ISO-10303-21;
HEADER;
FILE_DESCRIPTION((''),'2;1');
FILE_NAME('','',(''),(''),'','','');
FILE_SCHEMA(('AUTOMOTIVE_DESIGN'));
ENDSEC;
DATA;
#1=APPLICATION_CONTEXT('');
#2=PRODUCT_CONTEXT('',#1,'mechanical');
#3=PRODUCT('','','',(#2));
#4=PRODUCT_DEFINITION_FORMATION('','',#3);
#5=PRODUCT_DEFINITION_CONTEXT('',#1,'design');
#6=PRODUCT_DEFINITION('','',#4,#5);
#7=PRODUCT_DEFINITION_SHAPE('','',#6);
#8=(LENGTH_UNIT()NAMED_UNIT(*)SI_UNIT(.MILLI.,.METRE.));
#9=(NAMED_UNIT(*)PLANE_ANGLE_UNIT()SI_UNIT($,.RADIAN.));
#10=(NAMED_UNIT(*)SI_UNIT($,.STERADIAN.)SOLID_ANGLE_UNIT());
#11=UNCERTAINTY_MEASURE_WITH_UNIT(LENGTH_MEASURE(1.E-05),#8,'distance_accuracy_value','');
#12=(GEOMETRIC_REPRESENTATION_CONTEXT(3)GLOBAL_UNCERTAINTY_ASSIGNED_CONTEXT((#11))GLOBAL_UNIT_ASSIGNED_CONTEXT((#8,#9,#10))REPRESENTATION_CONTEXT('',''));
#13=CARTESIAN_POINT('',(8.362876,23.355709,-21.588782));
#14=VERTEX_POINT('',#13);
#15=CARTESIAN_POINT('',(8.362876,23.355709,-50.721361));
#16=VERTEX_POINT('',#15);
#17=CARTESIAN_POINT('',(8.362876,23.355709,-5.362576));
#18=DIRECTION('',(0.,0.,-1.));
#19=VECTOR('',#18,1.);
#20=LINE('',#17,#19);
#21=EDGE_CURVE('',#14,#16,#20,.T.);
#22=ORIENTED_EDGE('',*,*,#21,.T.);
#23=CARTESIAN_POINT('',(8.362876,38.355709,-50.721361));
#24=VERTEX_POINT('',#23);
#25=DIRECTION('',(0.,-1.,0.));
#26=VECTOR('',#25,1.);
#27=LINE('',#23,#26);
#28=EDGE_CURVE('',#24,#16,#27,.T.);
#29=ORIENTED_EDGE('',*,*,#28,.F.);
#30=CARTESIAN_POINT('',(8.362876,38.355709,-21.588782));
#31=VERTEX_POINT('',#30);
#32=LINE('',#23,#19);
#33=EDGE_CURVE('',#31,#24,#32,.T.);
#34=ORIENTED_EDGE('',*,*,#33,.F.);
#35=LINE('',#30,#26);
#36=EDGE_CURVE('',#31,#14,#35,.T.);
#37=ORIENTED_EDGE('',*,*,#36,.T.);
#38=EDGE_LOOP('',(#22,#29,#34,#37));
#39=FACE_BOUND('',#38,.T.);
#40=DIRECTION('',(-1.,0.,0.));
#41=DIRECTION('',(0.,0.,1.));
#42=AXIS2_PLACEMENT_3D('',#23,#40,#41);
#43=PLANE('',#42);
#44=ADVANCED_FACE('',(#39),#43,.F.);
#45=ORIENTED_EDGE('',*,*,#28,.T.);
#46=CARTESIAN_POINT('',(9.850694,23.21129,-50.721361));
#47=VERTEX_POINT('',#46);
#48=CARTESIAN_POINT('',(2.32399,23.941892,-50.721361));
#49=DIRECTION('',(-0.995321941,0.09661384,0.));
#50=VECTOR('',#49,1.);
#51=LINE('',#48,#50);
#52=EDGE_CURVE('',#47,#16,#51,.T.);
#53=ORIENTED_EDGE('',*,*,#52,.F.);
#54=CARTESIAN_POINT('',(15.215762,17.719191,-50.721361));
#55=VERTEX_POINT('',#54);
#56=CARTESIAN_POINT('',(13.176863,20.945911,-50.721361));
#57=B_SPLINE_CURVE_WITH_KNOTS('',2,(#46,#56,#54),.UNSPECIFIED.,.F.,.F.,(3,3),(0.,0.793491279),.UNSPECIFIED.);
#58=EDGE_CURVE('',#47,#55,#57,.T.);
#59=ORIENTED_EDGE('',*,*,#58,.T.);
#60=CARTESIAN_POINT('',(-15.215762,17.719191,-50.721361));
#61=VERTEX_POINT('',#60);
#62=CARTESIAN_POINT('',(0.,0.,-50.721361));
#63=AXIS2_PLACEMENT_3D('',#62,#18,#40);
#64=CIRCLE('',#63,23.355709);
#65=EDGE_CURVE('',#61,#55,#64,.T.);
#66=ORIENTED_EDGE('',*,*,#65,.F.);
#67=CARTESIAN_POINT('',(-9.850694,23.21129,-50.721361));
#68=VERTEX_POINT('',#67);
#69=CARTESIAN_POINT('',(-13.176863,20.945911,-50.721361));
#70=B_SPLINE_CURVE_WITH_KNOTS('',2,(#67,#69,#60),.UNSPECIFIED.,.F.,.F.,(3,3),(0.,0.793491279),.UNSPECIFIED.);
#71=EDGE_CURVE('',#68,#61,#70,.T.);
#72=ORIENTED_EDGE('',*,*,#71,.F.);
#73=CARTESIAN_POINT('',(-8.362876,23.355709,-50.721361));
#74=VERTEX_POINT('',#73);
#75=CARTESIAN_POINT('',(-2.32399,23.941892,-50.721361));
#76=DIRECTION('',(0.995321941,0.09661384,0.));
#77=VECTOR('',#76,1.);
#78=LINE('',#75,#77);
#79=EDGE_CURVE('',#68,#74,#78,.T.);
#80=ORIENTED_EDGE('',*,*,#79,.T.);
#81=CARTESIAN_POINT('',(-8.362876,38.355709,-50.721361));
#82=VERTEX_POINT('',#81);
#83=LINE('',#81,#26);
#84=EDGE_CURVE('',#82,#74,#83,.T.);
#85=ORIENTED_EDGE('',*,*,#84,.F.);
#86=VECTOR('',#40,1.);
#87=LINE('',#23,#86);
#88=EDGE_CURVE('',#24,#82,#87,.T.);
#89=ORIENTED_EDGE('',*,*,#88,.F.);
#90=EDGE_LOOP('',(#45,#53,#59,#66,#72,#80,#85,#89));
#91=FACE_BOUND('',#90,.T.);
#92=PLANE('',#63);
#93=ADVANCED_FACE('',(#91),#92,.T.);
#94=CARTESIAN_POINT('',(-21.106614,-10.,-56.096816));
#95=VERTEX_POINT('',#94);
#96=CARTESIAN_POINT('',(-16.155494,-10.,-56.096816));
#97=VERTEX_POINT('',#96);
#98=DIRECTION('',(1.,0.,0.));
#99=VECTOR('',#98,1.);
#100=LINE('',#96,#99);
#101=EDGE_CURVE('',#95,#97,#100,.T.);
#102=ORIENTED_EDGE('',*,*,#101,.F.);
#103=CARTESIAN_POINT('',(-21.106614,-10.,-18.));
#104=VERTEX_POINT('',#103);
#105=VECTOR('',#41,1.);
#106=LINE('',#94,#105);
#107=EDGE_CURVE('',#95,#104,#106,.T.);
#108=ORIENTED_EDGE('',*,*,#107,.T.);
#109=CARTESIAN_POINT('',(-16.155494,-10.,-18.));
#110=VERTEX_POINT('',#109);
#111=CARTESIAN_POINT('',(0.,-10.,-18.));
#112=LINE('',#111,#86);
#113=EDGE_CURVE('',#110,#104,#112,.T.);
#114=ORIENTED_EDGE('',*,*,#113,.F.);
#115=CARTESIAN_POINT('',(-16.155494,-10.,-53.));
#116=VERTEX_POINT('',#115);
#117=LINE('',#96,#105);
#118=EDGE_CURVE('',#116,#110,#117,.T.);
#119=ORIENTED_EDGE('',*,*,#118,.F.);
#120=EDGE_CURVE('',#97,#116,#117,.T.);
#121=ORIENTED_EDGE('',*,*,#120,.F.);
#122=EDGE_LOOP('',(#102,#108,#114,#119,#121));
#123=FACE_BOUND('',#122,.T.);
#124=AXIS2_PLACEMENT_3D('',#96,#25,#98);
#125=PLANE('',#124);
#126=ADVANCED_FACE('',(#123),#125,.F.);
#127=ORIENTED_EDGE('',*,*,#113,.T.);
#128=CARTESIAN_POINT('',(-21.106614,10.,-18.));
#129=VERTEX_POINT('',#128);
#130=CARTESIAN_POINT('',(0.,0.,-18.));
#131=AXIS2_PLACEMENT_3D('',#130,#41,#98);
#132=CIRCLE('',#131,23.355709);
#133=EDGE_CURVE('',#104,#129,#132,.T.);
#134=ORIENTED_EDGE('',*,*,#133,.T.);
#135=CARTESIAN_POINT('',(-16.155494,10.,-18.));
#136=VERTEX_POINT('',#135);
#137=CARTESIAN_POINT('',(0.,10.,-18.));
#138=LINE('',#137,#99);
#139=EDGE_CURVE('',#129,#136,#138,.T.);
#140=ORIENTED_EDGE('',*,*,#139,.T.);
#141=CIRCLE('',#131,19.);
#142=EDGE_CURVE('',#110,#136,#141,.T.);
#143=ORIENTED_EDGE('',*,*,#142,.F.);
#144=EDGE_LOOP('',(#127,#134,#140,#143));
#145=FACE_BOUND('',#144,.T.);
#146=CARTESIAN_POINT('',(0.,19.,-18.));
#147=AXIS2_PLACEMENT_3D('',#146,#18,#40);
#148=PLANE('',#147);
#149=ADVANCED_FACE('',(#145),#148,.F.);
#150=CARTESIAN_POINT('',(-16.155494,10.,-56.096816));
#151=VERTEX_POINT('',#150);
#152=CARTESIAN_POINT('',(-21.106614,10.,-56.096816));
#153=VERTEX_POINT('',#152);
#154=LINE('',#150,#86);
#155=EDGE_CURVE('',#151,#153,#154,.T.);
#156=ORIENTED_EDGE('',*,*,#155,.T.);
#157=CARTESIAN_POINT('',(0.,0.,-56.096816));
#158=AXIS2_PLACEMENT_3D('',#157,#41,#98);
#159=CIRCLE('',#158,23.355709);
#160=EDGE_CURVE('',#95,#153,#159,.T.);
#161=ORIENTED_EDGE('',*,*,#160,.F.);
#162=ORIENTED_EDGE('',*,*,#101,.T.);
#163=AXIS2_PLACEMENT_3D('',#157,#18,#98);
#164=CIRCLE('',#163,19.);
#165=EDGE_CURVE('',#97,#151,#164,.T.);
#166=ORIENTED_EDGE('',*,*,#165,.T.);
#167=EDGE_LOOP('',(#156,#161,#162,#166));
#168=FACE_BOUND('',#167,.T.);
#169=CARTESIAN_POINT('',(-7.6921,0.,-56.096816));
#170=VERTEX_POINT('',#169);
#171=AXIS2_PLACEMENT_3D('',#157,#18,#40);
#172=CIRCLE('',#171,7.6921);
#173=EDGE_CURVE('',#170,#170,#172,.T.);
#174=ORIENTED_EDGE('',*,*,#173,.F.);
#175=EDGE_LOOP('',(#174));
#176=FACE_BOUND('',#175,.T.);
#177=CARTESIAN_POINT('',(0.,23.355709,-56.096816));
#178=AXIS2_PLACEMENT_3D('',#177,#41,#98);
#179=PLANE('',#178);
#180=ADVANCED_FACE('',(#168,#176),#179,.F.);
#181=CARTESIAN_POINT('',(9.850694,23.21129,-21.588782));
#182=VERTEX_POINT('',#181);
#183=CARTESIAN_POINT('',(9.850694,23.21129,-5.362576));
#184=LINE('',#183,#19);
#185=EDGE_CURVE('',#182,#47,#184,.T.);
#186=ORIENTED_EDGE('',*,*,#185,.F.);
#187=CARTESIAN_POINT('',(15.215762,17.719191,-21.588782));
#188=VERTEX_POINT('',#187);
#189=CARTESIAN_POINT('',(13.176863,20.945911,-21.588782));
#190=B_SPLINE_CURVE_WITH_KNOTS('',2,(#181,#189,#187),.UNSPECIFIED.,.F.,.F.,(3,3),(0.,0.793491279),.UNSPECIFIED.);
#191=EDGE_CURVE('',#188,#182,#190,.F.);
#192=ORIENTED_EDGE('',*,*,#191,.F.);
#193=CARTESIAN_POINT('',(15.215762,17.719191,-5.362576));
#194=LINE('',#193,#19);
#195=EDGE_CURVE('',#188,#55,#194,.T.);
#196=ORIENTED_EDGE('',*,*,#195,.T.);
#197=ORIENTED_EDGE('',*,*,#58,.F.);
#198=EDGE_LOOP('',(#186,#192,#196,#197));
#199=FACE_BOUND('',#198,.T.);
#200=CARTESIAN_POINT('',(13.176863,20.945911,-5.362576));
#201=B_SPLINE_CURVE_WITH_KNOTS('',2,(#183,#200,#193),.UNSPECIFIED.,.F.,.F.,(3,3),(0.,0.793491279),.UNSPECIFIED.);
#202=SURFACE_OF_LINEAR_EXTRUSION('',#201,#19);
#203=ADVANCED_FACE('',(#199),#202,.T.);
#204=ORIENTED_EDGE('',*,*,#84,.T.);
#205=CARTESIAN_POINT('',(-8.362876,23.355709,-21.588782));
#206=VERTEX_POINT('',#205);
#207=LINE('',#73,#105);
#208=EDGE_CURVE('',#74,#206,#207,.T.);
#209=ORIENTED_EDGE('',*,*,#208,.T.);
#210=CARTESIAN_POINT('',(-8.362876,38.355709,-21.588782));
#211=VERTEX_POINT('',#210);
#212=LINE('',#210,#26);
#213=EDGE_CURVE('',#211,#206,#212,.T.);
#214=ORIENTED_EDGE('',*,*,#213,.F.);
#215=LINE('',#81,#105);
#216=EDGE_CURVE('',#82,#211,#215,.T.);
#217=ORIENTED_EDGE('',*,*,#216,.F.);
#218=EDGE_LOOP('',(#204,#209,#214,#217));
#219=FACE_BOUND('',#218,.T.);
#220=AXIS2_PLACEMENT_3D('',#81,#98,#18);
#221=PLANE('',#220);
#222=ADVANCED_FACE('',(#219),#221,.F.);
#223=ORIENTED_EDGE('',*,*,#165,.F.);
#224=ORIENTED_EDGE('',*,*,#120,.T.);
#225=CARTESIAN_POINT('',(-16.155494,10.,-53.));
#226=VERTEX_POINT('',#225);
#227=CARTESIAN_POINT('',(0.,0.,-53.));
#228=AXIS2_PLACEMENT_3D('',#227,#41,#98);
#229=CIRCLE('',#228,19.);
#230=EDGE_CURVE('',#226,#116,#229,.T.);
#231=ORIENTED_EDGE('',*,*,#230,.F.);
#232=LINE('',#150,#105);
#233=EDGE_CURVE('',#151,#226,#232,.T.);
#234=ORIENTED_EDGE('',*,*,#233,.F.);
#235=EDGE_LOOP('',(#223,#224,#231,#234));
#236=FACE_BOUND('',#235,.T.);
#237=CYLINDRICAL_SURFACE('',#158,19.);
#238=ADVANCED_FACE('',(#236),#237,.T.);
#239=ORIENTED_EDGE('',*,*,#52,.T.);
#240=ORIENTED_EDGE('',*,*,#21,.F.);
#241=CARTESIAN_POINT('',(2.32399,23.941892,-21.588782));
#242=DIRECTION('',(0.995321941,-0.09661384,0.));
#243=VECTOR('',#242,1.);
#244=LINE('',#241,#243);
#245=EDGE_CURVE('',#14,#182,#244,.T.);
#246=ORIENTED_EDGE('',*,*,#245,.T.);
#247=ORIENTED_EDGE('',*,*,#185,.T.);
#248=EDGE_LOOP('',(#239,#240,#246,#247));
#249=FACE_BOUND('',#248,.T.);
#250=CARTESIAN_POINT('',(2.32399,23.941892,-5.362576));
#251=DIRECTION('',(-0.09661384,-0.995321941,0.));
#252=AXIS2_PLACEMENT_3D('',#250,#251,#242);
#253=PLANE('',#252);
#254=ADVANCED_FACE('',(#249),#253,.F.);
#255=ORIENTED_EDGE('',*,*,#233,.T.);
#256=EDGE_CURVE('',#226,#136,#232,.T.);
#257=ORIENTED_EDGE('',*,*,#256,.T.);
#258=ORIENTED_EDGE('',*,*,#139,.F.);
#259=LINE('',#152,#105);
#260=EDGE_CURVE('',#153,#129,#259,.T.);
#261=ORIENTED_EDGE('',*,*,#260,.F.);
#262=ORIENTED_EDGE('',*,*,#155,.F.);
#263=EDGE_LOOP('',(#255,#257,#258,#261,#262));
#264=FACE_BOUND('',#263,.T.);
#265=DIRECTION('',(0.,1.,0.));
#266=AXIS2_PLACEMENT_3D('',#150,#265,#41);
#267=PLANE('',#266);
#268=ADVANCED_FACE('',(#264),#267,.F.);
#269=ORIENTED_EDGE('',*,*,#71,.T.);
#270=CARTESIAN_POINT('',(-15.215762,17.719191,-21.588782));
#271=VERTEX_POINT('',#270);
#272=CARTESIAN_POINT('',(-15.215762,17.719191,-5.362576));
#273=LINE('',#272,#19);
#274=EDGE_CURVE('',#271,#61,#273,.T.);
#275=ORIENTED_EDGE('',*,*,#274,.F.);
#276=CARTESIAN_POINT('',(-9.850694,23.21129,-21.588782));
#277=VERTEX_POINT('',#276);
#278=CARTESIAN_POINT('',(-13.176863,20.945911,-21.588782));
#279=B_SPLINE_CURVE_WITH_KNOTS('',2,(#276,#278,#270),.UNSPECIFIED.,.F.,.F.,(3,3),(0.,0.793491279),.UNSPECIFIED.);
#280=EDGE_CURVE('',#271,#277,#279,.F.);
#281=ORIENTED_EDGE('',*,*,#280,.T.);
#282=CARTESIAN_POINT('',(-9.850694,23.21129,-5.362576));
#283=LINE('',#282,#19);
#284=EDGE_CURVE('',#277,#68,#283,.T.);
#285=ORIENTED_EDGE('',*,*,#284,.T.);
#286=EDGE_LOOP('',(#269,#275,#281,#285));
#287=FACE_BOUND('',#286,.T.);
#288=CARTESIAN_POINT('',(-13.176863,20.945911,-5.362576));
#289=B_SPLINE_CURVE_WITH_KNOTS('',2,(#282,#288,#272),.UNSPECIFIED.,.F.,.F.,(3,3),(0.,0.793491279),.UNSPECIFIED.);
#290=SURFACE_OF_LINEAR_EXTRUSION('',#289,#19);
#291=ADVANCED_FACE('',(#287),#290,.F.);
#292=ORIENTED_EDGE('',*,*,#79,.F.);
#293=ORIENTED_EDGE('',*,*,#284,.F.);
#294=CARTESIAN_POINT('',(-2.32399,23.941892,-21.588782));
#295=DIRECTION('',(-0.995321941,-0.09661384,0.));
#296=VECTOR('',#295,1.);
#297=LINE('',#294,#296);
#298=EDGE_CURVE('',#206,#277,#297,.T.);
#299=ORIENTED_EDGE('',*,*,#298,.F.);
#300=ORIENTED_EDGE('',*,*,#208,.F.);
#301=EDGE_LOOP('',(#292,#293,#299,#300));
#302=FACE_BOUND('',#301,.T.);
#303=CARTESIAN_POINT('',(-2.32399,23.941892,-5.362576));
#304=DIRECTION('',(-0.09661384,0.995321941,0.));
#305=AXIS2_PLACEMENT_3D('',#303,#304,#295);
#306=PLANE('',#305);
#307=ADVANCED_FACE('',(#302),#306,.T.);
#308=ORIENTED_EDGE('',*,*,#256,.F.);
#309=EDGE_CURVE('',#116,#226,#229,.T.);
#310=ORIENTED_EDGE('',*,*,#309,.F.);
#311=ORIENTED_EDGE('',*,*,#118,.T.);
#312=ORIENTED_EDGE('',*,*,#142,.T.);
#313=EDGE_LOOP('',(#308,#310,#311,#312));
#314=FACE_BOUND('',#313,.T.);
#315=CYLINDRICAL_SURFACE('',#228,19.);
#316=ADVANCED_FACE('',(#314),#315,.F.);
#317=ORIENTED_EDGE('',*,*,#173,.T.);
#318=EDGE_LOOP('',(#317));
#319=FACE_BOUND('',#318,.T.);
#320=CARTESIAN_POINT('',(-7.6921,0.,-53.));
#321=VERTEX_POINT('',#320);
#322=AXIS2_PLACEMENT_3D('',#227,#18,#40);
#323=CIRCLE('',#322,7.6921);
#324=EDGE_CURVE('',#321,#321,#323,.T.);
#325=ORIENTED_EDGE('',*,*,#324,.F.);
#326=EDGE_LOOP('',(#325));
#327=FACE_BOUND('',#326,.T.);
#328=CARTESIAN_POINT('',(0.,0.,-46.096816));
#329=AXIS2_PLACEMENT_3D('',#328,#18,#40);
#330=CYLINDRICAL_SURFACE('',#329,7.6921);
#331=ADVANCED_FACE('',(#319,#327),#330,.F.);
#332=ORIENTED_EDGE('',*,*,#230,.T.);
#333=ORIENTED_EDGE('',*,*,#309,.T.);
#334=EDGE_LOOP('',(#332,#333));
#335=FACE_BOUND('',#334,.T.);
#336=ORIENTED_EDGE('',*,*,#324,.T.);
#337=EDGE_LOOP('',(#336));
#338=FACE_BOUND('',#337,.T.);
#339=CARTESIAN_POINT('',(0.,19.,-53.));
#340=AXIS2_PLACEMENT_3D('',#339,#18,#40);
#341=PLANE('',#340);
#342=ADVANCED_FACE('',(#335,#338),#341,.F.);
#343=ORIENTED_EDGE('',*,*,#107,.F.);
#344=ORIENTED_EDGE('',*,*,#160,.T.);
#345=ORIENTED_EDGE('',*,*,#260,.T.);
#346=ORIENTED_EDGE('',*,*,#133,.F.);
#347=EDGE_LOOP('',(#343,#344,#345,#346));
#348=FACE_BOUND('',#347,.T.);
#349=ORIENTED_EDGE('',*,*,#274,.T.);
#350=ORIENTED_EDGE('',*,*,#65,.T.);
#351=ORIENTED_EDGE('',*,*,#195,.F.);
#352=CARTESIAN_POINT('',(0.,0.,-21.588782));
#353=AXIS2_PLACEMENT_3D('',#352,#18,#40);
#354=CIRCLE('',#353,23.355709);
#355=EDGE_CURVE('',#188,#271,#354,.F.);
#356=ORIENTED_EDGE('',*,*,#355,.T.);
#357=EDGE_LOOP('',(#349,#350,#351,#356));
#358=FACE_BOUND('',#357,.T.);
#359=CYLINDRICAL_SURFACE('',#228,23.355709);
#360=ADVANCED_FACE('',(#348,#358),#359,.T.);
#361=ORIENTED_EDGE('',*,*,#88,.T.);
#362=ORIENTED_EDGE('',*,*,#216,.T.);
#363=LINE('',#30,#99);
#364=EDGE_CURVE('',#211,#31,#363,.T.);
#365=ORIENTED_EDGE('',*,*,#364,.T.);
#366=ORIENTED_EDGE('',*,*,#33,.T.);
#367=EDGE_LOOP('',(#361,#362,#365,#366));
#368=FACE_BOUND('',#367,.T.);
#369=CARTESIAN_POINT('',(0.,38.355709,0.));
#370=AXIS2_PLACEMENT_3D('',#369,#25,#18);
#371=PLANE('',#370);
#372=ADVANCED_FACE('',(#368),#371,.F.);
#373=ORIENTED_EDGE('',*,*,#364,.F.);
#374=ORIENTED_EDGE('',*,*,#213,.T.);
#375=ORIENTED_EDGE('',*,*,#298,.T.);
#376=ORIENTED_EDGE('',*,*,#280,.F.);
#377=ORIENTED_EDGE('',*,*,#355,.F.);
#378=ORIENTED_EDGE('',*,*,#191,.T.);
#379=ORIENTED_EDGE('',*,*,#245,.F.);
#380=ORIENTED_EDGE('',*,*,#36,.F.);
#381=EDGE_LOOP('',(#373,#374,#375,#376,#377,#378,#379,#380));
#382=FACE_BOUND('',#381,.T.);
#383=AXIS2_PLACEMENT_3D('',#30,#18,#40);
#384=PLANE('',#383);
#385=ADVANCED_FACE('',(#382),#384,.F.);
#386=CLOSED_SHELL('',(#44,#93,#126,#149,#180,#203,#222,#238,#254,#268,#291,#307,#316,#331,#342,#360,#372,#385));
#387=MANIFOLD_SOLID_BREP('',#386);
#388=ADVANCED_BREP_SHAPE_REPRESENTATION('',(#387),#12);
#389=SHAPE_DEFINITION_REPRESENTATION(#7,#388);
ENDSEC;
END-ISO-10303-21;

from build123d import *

# Parameters (mm, degrees)
SKETCH2_R           = 7.692100041
CUT_EXTRUDE1_DEPTH  = 10
SKETCH4_W           = 16.725751486
SKETCH4_H           = 29.132579912
BOSS_EXTRUDE1_DEPTH = 15
BOSS_EXTRUDE2_START = -29.132579912
BOSS_EXTRUDE2_DEPTH = 29.132579912
CUT_EXTRUDE2_DEPTH  = 72.857514692


with BuildPart() as part:
    # Sketch1 → Revolve1 (revolve)
    with BuildSketch(Plane(origin=(0, 0, 0), x_dir=(0, 0, -1), z_dir=(1, 0, 0)), mode=Mode.PRIVATE) as revolve1_sk:
        Polygon((18, 19), (53, 19), (53, 0), (56.096816333, 0), (56.096816333, 23.355709418), (18, 23.355709418), align=None)
    revolve(revolve1_sk.sketch.rotate(Axis((0, 0, -53), (0, 0, -1)), 90), axis=Axis((0, 0, -53), (0, 0, -1)))

    # Sketch2 → Cut-Extrude1 (cut)
    with BuildSketch(Plane(origin=(0, 0, -56.096816333), x_dir=(-1, 0, 0), z_dir=(0, 0, -1))):
        Circle(SKETCH2_R)
    extrude(amount=-CUT_EXTRUDE1_DEPTH, mode=Mode.SUBTRACT)



with BuildPart() as body_2:
    # Sketch4 → Boss-Extrude1 (new body)
    with BuildSketch(Plane(origin=(0, 23.355709418, 0), x_dir=(1, 0, 0), z_dir=(0, 1, 0))):
        with Locations((0, 36.155071486)):
            Rectangle(SKETCH4_W, SKETCH4_H)
    extrude(amount=BOSS_EXTRUDE1_DEPTH)


with BuildPart() as part_1:
    add(part.part)

    add(body_2.part)  # Boss-Extrude2 merges body 2
    # Sketch5 → Boss-Extrude2 (add)
    with BuildSketch(Plane(origin=(0, 0, -50.721361442), x_dir=(-1, 0, 0), z_dir=(0, 0, -1)).offset(BOSS_EXTRUDE2_START)):
        with BuildLine():
            ThreePointArc((-15.215762233, 17.71919135), (-8.113102925, 21.901295016), (0, 23.355709418))
            Line((0, 23.355709418), (-8.362875743, 23.355709418))
            Line((-8.362875743, 23.355709418), (-9.850694039, 23.211289977))
            add(Edge.make_bspline(
                [(-9.850694039, 23.211289977), (-13.176863257, 20.945911476), (-15.215762233, 17.71919135)],
                knots=[0, 0, 0, 0.793491279, 0.793491279, 0.793491279], degree=2))
        make_face()
        with BuildLine():
            add(Edge.make_bspline(
                [(9.850694039, 23.211289977), (13.176863257, 20.945911476), (15.215762233, 17.71919135)],
                knots=[0, 0, 0, 0.793491279, 0.793491279, 0.793491279], degree=2))
            Line((9.850694039, 23.211289977), (8.362875743, 23.355709418))
            Line((8.362875743, 23.355709418), (0, 23.355709418))
            ThreePointArc((0, 23.355709418), (8.113102925, 21.901295016), (15.215762233, 17.71919135))
        make_face()
    extrude(amount=BOSS_EXTRUDE2_DEPTH)

    # Sketch6 → Cut-Extrude2 (cut, through all)
    with BuildSketch(Plane.XY):
        with BuildLine():
            Line((-16.155494421, -10), (-21.106614187, -10))
            ThreePointArc((-21.106614187, -10), (-23.355709418, 0), (-21.106614187, 10))
            Line((-21.106614187, 10), (-16.155494421, 10))
            ThreePointArc((-16.155494421, 10), (-19, 0), (-16.155494421, -10))
        make_face()
    extrude(amount=-CUT_EXTRUDE2_DEPTH, mode=Mode.SUBTRACT)


solid = part_1.part
